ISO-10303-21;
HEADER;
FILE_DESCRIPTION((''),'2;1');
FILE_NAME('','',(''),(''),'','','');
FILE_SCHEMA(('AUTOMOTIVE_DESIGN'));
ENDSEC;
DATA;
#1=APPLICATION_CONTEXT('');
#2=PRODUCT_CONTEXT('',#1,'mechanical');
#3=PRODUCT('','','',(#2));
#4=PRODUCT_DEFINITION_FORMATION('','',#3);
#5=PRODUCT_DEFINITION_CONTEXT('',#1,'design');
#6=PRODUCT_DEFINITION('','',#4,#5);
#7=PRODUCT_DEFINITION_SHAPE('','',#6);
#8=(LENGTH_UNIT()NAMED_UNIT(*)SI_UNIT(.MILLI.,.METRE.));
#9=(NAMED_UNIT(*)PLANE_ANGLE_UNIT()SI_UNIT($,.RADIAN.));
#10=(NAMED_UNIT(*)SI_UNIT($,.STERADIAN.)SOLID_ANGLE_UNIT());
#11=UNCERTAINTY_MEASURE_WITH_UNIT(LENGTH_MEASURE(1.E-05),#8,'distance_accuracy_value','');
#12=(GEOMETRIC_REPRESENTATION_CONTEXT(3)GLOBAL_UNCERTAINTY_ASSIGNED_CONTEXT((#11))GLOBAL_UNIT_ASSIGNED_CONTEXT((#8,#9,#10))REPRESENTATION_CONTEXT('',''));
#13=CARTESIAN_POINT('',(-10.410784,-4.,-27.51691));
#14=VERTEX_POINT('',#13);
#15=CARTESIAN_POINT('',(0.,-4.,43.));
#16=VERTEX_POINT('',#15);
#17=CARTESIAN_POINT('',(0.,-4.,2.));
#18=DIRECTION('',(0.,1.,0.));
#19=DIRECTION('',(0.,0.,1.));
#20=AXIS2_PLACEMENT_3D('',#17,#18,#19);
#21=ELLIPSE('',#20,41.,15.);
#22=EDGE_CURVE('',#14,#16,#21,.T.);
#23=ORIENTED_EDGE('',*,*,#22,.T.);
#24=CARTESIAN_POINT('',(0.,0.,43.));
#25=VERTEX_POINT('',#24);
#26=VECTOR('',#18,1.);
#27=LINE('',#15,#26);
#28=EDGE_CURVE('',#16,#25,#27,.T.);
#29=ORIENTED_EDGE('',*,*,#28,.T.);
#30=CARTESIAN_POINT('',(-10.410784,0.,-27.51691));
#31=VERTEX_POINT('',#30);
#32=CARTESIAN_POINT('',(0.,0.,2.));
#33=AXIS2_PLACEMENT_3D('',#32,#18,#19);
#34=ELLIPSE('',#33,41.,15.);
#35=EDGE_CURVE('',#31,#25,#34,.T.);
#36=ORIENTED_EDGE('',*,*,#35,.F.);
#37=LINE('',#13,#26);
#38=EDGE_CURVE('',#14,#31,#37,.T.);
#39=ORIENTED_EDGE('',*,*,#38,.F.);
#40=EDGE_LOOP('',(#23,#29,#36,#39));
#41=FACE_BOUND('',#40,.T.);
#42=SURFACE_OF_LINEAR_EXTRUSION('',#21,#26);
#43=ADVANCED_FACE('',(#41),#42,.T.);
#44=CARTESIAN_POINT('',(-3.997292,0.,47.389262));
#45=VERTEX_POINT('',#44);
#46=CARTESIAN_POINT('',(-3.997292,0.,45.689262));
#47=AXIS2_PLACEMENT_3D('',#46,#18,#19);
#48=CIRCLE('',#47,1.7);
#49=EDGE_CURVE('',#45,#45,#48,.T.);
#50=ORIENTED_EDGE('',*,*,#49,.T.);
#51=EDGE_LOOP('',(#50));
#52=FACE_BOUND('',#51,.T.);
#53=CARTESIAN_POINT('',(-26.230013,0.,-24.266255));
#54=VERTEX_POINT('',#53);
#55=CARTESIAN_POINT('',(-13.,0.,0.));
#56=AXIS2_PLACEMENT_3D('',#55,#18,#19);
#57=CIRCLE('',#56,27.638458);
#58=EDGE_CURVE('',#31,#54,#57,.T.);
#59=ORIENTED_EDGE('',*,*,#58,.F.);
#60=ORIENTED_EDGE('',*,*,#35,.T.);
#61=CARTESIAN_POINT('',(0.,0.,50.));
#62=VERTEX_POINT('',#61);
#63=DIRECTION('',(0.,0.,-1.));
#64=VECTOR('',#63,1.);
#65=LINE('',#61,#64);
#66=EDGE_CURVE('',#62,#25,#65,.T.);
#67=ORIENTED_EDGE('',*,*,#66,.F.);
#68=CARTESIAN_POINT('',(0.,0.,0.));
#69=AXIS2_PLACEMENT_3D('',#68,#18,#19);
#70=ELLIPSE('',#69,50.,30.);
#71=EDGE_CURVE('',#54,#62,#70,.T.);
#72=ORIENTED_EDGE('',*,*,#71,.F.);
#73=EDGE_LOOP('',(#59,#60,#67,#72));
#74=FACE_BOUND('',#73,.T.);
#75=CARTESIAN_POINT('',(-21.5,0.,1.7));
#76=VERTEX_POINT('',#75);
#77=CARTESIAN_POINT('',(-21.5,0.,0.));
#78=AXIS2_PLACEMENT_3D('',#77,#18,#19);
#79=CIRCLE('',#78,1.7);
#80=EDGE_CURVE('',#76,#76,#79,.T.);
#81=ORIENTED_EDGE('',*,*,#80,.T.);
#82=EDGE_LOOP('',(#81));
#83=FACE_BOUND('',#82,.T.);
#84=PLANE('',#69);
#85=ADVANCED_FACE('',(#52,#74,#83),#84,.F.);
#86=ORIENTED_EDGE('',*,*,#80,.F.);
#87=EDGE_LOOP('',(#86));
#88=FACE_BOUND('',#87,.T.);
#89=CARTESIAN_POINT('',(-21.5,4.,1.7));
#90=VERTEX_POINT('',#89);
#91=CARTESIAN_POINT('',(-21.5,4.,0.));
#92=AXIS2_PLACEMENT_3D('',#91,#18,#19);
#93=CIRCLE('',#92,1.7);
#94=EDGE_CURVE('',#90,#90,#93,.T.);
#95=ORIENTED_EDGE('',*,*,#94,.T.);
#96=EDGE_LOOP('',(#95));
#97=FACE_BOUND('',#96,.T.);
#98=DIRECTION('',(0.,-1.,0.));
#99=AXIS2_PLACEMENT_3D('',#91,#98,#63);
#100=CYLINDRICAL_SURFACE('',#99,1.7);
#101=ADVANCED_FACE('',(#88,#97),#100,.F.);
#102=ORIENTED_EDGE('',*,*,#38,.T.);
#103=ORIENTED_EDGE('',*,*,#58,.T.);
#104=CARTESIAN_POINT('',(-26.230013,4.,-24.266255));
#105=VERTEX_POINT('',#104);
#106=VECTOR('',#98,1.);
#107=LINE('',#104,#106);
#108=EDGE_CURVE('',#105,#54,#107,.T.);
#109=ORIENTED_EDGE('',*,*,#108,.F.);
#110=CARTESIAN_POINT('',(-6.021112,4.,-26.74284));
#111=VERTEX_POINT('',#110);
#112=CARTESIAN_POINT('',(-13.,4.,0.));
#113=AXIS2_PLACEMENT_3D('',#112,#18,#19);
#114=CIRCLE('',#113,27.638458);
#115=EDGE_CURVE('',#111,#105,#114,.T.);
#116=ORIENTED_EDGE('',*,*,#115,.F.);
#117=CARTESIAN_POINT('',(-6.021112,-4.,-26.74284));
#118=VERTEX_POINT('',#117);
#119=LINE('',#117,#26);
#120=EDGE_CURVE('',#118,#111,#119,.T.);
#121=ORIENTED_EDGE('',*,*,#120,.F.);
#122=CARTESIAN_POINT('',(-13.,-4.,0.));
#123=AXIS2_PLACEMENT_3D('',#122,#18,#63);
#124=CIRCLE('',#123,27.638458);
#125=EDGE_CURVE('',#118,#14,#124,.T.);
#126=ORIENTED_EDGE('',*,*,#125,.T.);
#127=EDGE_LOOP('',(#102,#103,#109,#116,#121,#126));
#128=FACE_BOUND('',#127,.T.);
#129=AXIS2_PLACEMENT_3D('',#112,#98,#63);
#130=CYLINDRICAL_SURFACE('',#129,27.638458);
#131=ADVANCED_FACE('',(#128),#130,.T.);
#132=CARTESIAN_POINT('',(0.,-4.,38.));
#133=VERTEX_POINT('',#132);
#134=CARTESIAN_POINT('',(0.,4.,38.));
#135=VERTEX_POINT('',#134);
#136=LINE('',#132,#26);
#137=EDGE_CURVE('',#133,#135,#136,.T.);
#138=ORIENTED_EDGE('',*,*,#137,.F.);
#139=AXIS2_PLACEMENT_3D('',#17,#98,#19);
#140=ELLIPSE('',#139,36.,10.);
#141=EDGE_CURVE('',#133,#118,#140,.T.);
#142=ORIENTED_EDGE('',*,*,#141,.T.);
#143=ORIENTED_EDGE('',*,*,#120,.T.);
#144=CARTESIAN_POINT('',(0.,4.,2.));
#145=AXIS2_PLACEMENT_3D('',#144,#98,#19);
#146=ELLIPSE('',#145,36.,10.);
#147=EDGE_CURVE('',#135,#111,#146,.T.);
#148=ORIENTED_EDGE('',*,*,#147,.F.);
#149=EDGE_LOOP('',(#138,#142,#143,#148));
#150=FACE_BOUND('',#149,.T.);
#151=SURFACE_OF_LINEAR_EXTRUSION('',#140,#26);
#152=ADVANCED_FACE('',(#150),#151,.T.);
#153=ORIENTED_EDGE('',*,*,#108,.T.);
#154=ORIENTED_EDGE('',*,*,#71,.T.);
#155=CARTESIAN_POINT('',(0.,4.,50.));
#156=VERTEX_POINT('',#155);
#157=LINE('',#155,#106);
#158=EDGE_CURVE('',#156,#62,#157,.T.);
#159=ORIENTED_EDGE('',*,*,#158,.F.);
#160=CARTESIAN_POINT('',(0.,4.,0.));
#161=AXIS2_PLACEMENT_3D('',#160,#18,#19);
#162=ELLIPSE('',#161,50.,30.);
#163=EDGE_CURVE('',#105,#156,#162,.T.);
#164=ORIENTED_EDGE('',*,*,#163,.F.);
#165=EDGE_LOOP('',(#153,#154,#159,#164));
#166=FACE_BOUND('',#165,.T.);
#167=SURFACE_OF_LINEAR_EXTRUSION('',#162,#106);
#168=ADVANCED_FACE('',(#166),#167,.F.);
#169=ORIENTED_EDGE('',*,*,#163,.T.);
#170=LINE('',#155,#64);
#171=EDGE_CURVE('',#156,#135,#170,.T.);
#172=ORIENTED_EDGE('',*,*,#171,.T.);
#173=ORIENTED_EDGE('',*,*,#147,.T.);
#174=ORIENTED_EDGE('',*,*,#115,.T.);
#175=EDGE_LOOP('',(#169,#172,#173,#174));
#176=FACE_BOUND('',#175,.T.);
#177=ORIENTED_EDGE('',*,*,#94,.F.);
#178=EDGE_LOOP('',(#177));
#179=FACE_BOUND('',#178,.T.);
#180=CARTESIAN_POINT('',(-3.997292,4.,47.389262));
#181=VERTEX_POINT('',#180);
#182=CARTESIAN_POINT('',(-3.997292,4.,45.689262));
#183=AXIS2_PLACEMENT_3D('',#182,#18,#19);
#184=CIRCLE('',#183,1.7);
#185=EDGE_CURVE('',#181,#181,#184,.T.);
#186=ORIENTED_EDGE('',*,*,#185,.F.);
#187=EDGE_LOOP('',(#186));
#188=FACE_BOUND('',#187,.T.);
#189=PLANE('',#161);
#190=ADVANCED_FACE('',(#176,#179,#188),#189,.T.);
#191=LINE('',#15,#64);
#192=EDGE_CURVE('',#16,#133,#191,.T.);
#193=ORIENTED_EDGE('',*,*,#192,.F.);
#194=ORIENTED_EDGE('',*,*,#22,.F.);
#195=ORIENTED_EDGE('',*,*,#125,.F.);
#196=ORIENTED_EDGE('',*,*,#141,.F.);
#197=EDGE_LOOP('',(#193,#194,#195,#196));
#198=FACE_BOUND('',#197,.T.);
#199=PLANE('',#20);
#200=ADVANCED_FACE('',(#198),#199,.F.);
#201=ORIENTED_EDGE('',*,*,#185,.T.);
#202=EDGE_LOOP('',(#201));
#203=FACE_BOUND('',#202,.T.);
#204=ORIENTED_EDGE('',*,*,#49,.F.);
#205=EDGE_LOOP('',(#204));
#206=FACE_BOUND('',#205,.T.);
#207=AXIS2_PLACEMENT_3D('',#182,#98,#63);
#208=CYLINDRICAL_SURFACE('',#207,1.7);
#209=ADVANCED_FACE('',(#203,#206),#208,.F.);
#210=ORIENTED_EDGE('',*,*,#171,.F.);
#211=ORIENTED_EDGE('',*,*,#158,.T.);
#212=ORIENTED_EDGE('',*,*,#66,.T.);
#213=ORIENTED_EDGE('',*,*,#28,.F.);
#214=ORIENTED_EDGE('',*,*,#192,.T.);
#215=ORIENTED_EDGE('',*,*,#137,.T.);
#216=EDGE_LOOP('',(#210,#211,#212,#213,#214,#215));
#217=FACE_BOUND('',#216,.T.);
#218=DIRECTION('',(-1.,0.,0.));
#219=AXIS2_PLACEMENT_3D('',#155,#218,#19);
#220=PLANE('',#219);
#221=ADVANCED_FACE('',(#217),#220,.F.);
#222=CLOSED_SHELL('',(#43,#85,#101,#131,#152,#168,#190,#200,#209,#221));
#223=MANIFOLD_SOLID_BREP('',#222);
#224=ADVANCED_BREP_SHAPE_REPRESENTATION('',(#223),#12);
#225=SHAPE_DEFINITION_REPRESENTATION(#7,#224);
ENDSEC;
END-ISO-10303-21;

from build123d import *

# Parameters (mm, degrees)
SKETCH_1_R      = 1.7
EXTRUDE_1_DEPTH = 4
EXTRUDE_START   = -8
EXTRUDE_2_DEPTH = 8


with BuildPart() as part:
    # Эскиз1 → Бобышка-Вытянуть1 (new body)
    with BuildSketch(Plane(origin=(0, 0, 0), x_dir=(1, 0, 0), z_dir=(0, 1, 0))):
        with BuildLine():
            Line((0, -50), (0, -43))
            add(Edge.make_bspline(
                [(-10.000145873, 27.475174978), (-27.697978685, -43), (0, -43)],
                knots=[4.019246634, 4.019246634, 4.019246634, 6.283185307, 6.283185307, 6.283185307], degree=2, weights=[1, 0.42487789, 1]))
            ThreePointArc((-10.000145873, 27.475174978), (-18.360814479, 27.113576543), (-26.230013338, 24.266254592))
            add(Edge.make_bspline(
                [(-26.230013338, 24.266254592), (-50.964235719, -50), (0, -50)],
                knots=[4.205654034, 4.205654034, 4.205654034, 6.283185307, 6.283185307, 6.283185307], degree=2, weights=[1, 0.507284392, 1]))
        make_face()
        with Locations(Location((-3.997292475, -45.689262056, 0), (0, 0, 270))):
            Circle(SKETCH_1_R, mode=Mode.SUBTRACT)
        with Locations(Location((-21.5, 0, 0), (0, 0, 270))):
            Circle(SKETCH_1_R, mode=Mode.SUBTRACT)
    extrude(amount=EXTRUDE_1_DEPTH)

    # Эскиз2 → Бобышка-Вытянуть2 (add)
    with BuildSketch(Plane(origin=(0, 4, 0), x_dir=(1, 0, 0), z_dir=(0, 1, 0)).offset(EXTRUDE_START)):
        with BuildLine():
            Line((0, -43), (0, -38))
            add(Edge.make_bspline(
                [(-6.021112225, 26.742839981), (-29.868438829, -38), (0, -38)],
                knots=[3.78773541, 3.78773541, 3.78773541, 6.283185307, 6.283185307, 6.283185307], degree=2, weights=[1, 0.317480533, 1]))
            ThreePointArc((-6.021112225, 26.742839981), (-8.200317768, 27.218512364), (-10.410783781, 27.516909787))
            add(Edge.make_bspline(
                [(-10.410783781, 27.516909787), (-37.171364773, -43), (0, -43)],
                knots=[3.908695263, 3.908695263, 3.908695263, 6.283185307, 6.283185307, 6.283185307], degree=2, weights=[1, 0.374216095, 1]))
        make_face()
    extrude(amount=EXTRUDE_2_DEPTH)


solid = part.part
